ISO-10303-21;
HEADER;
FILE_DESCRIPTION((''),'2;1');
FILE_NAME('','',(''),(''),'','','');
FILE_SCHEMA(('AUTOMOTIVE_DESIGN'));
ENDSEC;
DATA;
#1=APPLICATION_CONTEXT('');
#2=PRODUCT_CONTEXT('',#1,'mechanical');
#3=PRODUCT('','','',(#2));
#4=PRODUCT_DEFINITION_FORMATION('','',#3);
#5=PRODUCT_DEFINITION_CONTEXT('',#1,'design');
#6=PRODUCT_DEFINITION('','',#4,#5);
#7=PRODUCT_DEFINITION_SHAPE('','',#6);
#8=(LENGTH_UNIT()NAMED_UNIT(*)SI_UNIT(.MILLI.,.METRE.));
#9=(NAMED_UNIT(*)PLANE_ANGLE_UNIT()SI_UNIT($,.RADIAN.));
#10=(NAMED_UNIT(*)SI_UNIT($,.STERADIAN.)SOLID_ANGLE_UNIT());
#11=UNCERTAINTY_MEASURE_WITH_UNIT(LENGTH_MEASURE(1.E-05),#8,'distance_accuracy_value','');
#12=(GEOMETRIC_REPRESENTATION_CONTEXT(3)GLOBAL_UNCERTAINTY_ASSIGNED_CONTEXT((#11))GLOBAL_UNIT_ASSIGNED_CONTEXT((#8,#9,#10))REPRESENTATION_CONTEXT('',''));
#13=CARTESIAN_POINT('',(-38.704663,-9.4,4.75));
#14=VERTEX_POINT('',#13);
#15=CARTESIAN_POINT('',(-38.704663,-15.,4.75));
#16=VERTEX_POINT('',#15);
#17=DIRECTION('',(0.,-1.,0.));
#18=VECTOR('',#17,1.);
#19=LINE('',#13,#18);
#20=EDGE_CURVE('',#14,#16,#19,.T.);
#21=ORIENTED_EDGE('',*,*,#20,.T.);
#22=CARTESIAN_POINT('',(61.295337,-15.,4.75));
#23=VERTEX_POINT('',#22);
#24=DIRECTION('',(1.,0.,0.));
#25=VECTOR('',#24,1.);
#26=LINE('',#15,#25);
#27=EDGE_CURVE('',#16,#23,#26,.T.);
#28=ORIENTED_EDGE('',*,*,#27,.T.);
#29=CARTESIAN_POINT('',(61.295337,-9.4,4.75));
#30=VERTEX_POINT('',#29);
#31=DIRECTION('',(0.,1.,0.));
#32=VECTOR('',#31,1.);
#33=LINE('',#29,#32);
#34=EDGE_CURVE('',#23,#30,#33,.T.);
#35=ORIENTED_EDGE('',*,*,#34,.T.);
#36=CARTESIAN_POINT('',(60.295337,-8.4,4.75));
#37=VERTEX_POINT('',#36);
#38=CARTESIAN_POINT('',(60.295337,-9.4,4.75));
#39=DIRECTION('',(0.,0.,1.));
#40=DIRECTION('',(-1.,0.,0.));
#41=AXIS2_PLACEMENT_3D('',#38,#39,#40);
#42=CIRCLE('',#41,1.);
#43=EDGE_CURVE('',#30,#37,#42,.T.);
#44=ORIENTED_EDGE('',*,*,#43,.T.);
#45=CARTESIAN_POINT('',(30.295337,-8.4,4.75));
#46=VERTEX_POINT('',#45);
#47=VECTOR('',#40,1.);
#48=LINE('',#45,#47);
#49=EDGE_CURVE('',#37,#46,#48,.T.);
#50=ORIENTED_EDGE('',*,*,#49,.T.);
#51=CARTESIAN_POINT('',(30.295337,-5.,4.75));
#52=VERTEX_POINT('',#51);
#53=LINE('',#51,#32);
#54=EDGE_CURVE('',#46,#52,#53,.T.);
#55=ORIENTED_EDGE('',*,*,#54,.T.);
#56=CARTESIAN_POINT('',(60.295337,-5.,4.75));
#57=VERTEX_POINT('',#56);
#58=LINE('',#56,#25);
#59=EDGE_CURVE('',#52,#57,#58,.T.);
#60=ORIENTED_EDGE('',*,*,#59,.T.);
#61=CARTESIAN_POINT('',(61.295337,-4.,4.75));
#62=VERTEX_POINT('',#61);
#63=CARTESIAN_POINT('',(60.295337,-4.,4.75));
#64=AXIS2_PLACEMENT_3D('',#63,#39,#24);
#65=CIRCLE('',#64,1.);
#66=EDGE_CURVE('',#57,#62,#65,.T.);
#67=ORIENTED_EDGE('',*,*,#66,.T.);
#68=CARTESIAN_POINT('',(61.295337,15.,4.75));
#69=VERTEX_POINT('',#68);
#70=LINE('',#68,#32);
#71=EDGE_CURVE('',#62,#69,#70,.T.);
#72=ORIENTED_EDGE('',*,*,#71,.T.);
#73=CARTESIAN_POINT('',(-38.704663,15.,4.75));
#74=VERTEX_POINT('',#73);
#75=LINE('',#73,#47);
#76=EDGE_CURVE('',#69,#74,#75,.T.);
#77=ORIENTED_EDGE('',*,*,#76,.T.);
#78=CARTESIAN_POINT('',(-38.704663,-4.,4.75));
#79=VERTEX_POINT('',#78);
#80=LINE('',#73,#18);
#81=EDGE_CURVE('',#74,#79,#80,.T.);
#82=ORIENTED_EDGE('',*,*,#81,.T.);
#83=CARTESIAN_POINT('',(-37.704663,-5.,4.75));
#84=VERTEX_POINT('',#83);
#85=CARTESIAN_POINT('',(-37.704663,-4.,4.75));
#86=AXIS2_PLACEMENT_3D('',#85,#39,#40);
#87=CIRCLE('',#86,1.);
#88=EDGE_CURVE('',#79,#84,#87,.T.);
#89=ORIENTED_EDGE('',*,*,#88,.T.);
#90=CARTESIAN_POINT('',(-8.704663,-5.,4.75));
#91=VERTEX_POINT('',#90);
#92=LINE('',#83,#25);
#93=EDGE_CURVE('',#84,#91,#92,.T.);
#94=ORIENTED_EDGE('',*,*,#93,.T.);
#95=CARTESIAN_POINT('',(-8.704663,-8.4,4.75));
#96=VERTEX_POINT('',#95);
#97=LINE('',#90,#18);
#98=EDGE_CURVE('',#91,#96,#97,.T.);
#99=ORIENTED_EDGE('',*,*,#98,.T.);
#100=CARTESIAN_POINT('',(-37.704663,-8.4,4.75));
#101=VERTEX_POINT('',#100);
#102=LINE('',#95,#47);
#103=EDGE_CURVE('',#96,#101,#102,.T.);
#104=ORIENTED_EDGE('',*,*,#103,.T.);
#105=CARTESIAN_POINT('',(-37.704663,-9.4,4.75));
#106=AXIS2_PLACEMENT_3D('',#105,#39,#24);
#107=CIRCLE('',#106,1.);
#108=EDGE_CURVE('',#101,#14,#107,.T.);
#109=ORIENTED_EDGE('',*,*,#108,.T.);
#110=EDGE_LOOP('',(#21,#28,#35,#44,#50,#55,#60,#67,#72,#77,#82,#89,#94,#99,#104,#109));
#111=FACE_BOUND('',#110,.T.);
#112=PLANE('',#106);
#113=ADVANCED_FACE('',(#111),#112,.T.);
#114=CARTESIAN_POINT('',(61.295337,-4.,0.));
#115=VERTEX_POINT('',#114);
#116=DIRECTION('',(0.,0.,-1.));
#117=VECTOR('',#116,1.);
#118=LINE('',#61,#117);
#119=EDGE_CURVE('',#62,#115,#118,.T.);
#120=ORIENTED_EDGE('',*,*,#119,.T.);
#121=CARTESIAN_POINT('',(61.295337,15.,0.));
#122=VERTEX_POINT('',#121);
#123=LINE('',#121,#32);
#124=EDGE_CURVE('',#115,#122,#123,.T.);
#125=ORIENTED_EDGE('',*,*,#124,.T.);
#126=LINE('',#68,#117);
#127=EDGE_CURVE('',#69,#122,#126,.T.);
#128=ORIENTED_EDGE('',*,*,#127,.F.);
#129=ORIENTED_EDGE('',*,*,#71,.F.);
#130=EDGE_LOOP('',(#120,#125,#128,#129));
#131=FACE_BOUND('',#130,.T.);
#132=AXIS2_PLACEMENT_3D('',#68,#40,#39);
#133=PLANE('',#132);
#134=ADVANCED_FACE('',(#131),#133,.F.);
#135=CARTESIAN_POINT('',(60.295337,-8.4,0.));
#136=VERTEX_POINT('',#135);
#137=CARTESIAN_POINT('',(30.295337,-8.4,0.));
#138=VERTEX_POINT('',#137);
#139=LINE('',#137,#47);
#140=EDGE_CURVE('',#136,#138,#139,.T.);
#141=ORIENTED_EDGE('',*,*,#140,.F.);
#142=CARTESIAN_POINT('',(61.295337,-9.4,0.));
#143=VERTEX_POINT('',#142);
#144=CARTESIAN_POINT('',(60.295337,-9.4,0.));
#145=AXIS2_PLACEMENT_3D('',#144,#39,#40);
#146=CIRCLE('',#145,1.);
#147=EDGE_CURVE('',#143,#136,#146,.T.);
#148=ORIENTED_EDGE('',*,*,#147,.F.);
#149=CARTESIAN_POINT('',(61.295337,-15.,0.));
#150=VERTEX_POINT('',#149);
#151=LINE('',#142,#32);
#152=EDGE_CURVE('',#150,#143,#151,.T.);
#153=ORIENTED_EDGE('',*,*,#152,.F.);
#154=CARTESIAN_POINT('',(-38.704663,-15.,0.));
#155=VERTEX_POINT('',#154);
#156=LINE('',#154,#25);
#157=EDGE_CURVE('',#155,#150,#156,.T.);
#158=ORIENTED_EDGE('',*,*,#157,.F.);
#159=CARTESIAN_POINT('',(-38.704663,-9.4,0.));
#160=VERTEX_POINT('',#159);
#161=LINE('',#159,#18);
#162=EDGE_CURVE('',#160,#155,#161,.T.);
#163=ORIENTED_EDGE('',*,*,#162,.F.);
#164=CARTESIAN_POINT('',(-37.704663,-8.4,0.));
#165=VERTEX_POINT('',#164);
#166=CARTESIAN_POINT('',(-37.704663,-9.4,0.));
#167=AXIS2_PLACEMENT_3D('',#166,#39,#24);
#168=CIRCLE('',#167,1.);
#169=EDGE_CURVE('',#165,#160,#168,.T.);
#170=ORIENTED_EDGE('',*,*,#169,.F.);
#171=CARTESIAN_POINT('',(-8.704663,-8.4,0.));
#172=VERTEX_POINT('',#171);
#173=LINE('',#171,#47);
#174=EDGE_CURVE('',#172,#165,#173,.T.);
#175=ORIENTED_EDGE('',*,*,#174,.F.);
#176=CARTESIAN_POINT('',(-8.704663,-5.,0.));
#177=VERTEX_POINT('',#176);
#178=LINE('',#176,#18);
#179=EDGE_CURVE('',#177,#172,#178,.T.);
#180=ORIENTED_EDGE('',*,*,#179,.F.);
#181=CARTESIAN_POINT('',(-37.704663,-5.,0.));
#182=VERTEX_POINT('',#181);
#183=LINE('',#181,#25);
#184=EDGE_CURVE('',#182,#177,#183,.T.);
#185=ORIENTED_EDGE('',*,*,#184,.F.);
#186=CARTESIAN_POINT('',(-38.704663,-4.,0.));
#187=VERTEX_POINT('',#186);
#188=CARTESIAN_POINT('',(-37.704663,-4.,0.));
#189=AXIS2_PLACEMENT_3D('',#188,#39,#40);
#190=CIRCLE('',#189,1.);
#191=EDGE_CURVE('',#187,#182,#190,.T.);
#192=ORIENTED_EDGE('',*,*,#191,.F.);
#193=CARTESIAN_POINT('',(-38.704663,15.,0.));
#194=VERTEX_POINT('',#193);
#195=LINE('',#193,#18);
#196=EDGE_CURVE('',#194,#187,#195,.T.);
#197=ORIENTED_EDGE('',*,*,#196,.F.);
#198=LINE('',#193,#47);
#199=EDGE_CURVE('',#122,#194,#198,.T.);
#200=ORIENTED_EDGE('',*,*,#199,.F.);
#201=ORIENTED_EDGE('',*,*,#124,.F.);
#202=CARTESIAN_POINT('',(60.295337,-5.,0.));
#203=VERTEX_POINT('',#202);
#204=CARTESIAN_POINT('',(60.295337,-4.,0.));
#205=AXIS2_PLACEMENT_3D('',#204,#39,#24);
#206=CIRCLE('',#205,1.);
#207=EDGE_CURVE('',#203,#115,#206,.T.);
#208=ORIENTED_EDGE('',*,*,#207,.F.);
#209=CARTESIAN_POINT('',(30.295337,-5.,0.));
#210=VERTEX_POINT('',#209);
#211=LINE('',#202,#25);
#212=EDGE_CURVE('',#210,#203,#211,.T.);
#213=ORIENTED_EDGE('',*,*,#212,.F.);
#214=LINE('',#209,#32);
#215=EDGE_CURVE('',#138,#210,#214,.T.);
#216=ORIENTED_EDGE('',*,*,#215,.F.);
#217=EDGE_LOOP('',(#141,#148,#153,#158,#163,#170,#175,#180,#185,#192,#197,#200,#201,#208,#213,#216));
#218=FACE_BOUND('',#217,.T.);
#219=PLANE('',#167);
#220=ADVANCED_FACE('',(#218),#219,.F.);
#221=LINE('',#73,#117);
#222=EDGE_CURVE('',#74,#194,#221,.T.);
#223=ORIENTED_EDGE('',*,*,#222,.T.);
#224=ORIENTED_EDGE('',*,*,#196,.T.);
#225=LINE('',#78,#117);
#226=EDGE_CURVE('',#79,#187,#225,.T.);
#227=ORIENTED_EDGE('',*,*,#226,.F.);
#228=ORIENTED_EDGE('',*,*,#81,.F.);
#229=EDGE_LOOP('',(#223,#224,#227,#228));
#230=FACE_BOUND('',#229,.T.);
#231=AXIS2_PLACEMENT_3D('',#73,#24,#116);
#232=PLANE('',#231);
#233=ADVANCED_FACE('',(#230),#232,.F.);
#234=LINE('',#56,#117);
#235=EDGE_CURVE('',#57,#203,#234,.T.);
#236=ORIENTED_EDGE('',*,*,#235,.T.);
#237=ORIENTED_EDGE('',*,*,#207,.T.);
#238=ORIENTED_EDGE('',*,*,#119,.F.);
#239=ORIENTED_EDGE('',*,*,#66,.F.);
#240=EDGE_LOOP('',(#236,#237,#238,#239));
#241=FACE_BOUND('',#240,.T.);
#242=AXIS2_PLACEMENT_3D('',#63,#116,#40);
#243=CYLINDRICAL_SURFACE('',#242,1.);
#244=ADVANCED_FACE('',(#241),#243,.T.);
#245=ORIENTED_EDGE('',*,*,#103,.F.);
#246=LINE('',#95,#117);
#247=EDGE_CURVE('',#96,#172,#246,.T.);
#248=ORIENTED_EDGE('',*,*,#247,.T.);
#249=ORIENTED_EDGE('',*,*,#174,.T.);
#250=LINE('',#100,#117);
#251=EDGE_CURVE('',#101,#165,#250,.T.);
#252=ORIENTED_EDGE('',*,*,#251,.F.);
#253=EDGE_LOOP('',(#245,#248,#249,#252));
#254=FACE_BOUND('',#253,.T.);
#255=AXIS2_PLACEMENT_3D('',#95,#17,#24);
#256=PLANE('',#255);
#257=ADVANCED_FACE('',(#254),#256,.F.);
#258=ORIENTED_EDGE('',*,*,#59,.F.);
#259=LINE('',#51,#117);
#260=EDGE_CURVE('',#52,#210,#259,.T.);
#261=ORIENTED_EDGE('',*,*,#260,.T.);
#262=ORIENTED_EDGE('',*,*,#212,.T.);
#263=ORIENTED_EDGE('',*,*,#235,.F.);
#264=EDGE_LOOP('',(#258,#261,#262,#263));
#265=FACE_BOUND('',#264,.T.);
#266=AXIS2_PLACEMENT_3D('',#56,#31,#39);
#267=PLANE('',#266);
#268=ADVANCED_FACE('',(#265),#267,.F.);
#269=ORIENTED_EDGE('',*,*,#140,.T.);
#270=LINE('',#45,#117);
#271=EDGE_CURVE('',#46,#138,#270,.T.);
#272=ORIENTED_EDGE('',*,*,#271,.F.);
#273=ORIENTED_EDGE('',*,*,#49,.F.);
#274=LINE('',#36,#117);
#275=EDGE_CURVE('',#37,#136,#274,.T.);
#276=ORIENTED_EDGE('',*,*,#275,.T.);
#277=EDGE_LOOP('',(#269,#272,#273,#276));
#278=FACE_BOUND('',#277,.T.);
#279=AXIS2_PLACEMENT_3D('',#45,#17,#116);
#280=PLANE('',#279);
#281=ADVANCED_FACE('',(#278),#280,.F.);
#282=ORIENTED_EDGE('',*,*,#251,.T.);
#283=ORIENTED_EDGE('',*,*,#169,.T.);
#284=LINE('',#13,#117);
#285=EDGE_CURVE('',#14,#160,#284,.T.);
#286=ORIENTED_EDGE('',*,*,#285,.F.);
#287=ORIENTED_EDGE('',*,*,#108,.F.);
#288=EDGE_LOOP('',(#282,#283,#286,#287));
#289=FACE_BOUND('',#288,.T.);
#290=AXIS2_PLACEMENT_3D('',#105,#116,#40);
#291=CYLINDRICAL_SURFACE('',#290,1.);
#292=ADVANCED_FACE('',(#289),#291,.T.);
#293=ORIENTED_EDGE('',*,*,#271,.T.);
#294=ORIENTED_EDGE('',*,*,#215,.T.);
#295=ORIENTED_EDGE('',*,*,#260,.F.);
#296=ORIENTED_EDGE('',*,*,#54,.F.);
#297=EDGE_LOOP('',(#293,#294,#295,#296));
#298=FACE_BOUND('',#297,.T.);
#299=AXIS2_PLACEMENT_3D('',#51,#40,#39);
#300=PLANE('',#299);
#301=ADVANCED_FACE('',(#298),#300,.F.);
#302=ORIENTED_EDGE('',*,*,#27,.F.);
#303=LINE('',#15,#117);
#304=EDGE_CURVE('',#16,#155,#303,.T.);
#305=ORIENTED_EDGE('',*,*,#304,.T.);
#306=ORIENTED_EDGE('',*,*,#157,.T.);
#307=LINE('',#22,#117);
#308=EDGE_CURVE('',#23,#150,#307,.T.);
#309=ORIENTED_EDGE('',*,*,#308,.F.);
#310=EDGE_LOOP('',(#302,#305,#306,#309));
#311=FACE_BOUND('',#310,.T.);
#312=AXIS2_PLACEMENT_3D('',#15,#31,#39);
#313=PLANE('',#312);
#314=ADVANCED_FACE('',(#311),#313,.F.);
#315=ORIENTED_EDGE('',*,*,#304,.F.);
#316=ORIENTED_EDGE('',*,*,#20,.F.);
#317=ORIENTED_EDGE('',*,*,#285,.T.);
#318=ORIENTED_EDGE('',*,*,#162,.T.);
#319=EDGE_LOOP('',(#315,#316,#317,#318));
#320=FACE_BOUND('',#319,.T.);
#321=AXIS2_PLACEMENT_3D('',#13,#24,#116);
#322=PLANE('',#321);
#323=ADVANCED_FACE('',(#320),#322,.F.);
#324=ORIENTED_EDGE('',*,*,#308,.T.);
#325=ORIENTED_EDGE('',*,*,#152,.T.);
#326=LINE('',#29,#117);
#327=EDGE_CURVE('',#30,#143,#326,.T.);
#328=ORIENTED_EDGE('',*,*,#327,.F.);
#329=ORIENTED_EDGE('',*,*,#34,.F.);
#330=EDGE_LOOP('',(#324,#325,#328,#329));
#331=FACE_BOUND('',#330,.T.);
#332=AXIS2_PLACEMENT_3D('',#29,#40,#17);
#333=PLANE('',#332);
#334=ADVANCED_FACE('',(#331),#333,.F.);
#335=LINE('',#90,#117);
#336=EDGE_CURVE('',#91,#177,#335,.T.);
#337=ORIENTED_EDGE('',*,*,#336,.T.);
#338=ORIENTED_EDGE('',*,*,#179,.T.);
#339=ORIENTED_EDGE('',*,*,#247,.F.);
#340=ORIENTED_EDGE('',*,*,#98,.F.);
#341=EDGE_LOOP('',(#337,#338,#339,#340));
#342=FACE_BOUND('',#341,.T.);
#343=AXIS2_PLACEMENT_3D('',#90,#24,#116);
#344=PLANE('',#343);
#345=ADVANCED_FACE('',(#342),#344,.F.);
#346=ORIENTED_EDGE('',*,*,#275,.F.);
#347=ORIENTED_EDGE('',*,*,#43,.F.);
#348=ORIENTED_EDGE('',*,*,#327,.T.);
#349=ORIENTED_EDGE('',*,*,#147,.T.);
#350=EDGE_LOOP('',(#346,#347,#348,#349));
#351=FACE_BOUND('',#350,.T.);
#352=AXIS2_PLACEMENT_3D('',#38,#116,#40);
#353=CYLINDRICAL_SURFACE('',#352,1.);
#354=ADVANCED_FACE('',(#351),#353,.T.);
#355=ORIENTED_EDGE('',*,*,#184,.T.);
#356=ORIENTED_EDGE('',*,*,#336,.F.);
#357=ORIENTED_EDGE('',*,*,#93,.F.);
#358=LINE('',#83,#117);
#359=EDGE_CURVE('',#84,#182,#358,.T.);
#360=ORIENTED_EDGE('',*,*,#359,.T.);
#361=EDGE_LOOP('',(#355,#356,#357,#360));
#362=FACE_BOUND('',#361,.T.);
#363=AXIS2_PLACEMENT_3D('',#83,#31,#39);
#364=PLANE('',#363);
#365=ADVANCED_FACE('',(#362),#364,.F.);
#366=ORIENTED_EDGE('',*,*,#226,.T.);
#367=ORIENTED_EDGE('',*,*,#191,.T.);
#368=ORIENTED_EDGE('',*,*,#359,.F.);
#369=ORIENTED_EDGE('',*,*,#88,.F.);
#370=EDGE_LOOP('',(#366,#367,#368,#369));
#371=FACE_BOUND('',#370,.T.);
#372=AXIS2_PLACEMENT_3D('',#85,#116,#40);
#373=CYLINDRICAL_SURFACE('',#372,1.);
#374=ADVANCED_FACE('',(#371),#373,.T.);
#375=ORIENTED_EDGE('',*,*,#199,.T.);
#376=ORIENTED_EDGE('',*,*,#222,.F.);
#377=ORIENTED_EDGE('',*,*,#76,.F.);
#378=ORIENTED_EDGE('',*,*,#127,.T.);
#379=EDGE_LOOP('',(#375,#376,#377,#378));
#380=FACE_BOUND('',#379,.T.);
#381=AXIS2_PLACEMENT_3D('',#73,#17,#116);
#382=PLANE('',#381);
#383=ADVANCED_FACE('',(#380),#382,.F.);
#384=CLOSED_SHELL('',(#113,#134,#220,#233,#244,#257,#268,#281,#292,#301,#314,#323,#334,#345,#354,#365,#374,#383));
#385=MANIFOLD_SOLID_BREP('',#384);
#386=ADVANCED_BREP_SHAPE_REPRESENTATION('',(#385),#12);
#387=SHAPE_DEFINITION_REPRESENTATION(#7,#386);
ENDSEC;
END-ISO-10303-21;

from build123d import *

# Parameters (mm, degrees)
BOSS_EXTRUDE1_DEPTH = 4.75


with BuildPart() as part:
    # Sketch1 → Boss-Extrude1 (new body)
    with BuildSketch(Plane.XY):
        with BuildLine():
            Line((-37.704663212, -5), (-8.704663212, -5))
            Line((-8.704663212, -5), (-8.704663212, -8.4))
            Line((-8.704663212, -8.4), (-37.704663212, -8.4))
            ThreePointArc((-37.704663212, -8.4), (-38.411769994, -8.692893219), (-38.704663212, -9.4))
            Line((-38.704663212, -9.4), (-38.704663212, -15))
            Line((-38.704663212, -15), (61.295336788, -15))
            Line((61.295336788, -15), (61.295336788, -9.4))
            ThreePointArc((61.295336788, -9.4), (61.002443569, -8.692893219), (60.295336788, -8.4))
            Line((60.295336788, -8.4), (30.295336788, -8.4))
            Line((30.295336788, -8.4), (30.295336788, -5))
            Line((30.295336788, -5), (60.295336788, -5))
            ThreePointArc((60.295336788, -5), (61.002443569, -4.707106781), (61.295336788, -4))
            Line((61.295336788, -4), (61.295336788, 15))
            Line((61.295336788, 15), (-38.704663212, 15))
            Line((-38.704663212, 15), (-38.704663212, -4))
            ThreePointArc((-38.704663212, -4), (-38.411769994, -4.707106781), (-37.704663212, -5))
        make_face()
    extrude(amount=BOSS_EXTRUDE1_DEPTH)


solid = part.part
